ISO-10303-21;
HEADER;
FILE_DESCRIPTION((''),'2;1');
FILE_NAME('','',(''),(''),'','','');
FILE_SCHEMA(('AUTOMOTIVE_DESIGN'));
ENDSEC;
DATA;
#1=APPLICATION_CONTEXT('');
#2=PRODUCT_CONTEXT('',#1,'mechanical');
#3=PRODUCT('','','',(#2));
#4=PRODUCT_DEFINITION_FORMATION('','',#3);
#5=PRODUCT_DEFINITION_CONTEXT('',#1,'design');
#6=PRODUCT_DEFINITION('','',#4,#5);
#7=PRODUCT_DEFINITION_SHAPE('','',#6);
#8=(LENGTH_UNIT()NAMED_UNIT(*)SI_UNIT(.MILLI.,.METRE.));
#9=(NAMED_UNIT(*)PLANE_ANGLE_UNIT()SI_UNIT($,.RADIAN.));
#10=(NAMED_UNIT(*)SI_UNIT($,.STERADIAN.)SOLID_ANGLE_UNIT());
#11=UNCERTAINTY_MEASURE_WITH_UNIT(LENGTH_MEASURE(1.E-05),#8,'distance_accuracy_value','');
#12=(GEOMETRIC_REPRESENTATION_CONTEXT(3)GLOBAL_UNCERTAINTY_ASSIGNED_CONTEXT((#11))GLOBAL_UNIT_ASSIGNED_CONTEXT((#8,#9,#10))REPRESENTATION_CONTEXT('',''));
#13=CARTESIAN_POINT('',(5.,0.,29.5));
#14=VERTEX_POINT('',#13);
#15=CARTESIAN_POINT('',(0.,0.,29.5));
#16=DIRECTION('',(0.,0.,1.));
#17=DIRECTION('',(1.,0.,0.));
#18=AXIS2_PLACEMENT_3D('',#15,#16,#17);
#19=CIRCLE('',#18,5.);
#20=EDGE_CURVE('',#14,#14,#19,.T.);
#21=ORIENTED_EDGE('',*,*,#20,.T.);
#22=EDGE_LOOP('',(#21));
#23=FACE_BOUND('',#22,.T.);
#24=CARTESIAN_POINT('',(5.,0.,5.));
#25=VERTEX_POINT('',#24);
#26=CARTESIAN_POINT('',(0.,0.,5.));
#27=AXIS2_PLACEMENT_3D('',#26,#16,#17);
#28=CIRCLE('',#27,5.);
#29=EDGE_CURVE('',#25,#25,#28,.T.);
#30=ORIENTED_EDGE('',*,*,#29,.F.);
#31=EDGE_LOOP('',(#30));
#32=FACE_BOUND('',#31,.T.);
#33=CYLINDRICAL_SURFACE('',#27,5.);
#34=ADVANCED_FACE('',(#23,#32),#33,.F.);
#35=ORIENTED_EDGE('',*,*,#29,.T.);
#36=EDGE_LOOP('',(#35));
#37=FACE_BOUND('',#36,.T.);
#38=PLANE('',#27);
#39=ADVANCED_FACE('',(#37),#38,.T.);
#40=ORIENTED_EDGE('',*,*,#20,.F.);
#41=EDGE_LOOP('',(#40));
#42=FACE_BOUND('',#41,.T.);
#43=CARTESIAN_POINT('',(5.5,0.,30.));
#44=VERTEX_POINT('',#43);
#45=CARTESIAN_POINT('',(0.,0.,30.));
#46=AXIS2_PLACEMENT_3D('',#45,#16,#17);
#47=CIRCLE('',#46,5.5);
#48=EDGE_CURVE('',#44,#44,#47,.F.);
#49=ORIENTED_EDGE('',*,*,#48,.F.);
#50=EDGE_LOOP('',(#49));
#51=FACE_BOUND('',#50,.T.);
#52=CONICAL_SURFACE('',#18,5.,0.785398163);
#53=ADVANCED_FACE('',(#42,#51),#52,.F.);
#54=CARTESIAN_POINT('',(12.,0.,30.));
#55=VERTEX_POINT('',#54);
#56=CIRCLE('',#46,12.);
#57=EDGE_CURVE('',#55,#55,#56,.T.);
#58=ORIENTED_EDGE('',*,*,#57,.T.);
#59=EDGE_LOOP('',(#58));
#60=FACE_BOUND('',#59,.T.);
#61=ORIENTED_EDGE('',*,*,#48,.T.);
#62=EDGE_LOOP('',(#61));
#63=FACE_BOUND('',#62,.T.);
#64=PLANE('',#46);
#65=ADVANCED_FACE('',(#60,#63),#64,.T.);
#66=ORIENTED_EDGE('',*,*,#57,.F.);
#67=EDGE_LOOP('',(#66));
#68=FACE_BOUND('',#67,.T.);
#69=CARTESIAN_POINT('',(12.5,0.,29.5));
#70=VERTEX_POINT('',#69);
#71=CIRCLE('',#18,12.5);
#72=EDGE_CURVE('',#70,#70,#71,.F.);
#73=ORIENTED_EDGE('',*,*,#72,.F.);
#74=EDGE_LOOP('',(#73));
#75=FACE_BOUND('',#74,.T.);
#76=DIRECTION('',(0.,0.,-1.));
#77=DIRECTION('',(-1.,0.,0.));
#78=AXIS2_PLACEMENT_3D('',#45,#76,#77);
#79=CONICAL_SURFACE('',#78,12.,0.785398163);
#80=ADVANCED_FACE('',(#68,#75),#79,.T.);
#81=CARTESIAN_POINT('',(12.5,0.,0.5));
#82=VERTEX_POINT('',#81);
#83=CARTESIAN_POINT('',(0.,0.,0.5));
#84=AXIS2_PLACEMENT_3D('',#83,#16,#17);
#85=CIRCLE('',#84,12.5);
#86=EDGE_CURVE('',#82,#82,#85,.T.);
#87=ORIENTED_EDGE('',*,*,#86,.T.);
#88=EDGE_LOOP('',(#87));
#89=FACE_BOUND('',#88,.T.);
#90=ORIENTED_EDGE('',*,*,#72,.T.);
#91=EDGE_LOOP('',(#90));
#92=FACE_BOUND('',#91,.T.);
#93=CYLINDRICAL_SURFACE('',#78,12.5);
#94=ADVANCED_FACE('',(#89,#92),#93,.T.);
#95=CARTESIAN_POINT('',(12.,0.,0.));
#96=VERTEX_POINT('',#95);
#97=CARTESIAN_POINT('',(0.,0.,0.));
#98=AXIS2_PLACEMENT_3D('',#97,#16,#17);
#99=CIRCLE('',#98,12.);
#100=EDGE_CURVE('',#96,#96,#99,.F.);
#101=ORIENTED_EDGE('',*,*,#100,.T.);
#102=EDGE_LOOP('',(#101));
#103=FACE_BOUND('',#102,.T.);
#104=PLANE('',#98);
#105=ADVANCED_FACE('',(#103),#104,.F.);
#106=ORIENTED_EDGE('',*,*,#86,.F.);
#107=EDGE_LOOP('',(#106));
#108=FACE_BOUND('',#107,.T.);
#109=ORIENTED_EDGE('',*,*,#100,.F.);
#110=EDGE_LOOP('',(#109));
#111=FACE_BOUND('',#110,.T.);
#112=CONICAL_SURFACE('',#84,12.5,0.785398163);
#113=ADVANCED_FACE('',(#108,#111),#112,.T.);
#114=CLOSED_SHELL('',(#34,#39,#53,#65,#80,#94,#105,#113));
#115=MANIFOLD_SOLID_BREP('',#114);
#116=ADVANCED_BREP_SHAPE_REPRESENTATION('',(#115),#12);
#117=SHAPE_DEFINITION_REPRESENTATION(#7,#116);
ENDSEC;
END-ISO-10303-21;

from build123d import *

# Parameters (mm, degrees)
IZIM1_R                     = 12.5
Y_KSEKLIK_EKSTR_ZYON1_DEPTH = 30
IZIM2_R                     = 5
KES_EKSTR_ZYON1_DEPTH       = 25
PAH1_SIZE                   = 0.5


with BuildPart() as part:
    # Çizim1 → Yükseklik-Ekstrüzyon1 (new body)
    with BuildSketch(Plane.XY):
        Circle(IZIM1_R)
    extrude(amount=Y_KSEKLIK_EKSTR_ZYON1_DEPTH)

    # Çizim2 → Kes-Ekstrüzyon1 (cut)
    with BuildSketch(Plane.XY.offset(30)):
        Circle(IZIM2_R)
    extrude(amount=-KES_EKSTR_ZYON1_DEPTH, mode=Mode.SUBTRACT)

    # Pah1
    pah1_edges = [part.edges().sort_by_distance(p)[0] for p in [
        (-12.5, 0, 0),
        (-12.5, 0, 30),
        (-5, 0, 30),
    ]]
    chamfer(pah1_edges, length=PAH1_SIZE)


solid = part.part
